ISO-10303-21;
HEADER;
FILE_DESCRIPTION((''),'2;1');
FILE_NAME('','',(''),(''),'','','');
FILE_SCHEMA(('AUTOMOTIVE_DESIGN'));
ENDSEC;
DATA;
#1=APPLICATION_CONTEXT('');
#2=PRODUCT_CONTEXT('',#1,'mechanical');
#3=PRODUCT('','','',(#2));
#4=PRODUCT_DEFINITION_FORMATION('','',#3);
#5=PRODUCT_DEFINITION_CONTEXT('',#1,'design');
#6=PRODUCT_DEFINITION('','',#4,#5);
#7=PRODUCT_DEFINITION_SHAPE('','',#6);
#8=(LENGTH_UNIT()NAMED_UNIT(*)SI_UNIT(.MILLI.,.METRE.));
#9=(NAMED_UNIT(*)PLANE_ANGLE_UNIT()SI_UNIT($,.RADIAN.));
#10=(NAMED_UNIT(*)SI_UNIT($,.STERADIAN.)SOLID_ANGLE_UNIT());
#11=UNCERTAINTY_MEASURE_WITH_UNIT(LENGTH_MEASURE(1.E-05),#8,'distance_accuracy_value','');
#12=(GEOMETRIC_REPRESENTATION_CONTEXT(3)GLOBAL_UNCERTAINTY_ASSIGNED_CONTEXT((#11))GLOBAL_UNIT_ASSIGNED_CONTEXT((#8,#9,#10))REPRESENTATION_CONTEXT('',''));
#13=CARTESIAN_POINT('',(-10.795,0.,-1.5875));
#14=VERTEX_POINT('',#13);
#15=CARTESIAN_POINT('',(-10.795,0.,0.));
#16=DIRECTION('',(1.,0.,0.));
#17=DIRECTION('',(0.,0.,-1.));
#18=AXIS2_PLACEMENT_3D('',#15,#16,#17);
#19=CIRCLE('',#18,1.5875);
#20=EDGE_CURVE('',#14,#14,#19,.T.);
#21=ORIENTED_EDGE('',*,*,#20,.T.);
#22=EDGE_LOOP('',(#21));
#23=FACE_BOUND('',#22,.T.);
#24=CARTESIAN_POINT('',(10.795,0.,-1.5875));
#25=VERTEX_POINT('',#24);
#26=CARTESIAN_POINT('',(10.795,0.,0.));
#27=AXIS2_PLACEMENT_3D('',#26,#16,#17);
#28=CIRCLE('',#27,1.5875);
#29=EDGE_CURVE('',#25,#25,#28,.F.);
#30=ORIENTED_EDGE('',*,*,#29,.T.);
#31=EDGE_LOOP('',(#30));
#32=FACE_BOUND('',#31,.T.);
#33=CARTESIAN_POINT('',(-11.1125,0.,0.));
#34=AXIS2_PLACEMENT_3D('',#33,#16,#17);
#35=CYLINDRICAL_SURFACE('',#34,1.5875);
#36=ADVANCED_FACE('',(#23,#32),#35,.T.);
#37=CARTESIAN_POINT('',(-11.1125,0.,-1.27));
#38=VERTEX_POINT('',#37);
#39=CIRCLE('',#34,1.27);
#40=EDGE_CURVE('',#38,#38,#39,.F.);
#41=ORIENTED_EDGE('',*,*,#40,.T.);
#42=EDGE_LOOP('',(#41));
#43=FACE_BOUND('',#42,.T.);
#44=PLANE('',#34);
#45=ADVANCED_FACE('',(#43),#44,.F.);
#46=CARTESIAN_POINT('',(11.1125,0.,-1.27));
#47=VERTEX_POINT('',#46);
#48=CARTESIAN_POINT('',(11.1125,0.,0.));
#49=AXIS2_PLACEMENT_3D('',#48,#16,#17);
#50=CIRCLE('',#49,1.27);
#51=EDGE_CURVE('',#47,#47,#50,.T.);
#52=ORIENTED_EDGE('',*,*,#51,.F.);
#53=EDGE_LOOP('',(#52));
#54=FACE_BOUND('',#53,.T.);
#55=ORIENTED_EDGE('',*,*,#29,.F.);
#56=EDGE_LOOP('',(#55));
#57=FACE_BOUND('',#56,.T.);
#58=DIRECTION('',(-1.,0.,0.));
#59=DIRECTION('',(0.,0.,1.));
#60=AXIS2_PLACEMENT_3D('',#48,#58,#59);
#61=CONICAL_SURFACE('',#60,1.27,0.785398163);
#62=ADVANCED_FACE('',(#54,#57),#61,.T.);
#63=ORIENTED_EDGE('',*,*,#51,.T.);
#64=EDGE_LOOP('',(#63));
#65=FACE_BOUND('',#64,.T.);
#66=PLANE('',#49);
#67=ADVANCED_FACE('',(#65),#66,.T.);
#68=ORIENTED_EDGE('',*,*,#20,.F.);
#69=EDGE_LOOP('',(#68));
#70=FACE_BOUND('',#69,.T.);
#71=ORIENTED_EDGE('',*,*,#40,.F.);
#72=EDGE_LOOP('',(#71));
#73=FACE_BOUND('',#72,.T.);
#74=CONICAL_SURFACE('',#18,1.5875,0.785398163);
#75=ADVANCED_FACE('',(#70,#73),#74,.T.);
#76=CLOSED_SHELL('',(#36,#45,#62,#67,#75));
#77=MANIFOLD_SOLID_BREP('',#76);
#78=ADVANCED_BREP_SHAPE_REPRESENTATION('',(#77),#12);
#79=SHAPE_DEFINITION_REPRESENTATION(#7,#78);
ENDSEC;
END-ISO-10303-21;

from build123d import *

# Parameters (mm, degrees)
SKETCH2_R           = 1.5875
EXTRUDE1_DEPTH      = 11.1125
EXTRUDE1_DEPTH_BACK = 11.1125
CHAMFER1_SIZE       = 0.3175


with BuildPart() as part:
    # Sketch2 → Extrude1 (new body, two sides)
    with BuildSketch(Plane(origin=(0, 0, 0), x_dir=(0, 0, -1), z_dir=(1, 0, 0))) as extrude1_sk:
        Circle(SKETCH2_R)
    extrude(amount=EXTRUDE1_DEPTH)
    extrude(extrude1_sk.sketch, amount=-EXTRUDE1_DEPTH_BACK)

    # Chamfer1
    chamfer1_edges = [part.edges().sort_by_distance(p)[0] for p in [
        (-11.1125, 0, 1.5875),
        (11.1125, 0, 1.5875),
    ]]
    chamfer(chamfer1_edges, length=CHAMFER1_SIZE)


solid = part.part
